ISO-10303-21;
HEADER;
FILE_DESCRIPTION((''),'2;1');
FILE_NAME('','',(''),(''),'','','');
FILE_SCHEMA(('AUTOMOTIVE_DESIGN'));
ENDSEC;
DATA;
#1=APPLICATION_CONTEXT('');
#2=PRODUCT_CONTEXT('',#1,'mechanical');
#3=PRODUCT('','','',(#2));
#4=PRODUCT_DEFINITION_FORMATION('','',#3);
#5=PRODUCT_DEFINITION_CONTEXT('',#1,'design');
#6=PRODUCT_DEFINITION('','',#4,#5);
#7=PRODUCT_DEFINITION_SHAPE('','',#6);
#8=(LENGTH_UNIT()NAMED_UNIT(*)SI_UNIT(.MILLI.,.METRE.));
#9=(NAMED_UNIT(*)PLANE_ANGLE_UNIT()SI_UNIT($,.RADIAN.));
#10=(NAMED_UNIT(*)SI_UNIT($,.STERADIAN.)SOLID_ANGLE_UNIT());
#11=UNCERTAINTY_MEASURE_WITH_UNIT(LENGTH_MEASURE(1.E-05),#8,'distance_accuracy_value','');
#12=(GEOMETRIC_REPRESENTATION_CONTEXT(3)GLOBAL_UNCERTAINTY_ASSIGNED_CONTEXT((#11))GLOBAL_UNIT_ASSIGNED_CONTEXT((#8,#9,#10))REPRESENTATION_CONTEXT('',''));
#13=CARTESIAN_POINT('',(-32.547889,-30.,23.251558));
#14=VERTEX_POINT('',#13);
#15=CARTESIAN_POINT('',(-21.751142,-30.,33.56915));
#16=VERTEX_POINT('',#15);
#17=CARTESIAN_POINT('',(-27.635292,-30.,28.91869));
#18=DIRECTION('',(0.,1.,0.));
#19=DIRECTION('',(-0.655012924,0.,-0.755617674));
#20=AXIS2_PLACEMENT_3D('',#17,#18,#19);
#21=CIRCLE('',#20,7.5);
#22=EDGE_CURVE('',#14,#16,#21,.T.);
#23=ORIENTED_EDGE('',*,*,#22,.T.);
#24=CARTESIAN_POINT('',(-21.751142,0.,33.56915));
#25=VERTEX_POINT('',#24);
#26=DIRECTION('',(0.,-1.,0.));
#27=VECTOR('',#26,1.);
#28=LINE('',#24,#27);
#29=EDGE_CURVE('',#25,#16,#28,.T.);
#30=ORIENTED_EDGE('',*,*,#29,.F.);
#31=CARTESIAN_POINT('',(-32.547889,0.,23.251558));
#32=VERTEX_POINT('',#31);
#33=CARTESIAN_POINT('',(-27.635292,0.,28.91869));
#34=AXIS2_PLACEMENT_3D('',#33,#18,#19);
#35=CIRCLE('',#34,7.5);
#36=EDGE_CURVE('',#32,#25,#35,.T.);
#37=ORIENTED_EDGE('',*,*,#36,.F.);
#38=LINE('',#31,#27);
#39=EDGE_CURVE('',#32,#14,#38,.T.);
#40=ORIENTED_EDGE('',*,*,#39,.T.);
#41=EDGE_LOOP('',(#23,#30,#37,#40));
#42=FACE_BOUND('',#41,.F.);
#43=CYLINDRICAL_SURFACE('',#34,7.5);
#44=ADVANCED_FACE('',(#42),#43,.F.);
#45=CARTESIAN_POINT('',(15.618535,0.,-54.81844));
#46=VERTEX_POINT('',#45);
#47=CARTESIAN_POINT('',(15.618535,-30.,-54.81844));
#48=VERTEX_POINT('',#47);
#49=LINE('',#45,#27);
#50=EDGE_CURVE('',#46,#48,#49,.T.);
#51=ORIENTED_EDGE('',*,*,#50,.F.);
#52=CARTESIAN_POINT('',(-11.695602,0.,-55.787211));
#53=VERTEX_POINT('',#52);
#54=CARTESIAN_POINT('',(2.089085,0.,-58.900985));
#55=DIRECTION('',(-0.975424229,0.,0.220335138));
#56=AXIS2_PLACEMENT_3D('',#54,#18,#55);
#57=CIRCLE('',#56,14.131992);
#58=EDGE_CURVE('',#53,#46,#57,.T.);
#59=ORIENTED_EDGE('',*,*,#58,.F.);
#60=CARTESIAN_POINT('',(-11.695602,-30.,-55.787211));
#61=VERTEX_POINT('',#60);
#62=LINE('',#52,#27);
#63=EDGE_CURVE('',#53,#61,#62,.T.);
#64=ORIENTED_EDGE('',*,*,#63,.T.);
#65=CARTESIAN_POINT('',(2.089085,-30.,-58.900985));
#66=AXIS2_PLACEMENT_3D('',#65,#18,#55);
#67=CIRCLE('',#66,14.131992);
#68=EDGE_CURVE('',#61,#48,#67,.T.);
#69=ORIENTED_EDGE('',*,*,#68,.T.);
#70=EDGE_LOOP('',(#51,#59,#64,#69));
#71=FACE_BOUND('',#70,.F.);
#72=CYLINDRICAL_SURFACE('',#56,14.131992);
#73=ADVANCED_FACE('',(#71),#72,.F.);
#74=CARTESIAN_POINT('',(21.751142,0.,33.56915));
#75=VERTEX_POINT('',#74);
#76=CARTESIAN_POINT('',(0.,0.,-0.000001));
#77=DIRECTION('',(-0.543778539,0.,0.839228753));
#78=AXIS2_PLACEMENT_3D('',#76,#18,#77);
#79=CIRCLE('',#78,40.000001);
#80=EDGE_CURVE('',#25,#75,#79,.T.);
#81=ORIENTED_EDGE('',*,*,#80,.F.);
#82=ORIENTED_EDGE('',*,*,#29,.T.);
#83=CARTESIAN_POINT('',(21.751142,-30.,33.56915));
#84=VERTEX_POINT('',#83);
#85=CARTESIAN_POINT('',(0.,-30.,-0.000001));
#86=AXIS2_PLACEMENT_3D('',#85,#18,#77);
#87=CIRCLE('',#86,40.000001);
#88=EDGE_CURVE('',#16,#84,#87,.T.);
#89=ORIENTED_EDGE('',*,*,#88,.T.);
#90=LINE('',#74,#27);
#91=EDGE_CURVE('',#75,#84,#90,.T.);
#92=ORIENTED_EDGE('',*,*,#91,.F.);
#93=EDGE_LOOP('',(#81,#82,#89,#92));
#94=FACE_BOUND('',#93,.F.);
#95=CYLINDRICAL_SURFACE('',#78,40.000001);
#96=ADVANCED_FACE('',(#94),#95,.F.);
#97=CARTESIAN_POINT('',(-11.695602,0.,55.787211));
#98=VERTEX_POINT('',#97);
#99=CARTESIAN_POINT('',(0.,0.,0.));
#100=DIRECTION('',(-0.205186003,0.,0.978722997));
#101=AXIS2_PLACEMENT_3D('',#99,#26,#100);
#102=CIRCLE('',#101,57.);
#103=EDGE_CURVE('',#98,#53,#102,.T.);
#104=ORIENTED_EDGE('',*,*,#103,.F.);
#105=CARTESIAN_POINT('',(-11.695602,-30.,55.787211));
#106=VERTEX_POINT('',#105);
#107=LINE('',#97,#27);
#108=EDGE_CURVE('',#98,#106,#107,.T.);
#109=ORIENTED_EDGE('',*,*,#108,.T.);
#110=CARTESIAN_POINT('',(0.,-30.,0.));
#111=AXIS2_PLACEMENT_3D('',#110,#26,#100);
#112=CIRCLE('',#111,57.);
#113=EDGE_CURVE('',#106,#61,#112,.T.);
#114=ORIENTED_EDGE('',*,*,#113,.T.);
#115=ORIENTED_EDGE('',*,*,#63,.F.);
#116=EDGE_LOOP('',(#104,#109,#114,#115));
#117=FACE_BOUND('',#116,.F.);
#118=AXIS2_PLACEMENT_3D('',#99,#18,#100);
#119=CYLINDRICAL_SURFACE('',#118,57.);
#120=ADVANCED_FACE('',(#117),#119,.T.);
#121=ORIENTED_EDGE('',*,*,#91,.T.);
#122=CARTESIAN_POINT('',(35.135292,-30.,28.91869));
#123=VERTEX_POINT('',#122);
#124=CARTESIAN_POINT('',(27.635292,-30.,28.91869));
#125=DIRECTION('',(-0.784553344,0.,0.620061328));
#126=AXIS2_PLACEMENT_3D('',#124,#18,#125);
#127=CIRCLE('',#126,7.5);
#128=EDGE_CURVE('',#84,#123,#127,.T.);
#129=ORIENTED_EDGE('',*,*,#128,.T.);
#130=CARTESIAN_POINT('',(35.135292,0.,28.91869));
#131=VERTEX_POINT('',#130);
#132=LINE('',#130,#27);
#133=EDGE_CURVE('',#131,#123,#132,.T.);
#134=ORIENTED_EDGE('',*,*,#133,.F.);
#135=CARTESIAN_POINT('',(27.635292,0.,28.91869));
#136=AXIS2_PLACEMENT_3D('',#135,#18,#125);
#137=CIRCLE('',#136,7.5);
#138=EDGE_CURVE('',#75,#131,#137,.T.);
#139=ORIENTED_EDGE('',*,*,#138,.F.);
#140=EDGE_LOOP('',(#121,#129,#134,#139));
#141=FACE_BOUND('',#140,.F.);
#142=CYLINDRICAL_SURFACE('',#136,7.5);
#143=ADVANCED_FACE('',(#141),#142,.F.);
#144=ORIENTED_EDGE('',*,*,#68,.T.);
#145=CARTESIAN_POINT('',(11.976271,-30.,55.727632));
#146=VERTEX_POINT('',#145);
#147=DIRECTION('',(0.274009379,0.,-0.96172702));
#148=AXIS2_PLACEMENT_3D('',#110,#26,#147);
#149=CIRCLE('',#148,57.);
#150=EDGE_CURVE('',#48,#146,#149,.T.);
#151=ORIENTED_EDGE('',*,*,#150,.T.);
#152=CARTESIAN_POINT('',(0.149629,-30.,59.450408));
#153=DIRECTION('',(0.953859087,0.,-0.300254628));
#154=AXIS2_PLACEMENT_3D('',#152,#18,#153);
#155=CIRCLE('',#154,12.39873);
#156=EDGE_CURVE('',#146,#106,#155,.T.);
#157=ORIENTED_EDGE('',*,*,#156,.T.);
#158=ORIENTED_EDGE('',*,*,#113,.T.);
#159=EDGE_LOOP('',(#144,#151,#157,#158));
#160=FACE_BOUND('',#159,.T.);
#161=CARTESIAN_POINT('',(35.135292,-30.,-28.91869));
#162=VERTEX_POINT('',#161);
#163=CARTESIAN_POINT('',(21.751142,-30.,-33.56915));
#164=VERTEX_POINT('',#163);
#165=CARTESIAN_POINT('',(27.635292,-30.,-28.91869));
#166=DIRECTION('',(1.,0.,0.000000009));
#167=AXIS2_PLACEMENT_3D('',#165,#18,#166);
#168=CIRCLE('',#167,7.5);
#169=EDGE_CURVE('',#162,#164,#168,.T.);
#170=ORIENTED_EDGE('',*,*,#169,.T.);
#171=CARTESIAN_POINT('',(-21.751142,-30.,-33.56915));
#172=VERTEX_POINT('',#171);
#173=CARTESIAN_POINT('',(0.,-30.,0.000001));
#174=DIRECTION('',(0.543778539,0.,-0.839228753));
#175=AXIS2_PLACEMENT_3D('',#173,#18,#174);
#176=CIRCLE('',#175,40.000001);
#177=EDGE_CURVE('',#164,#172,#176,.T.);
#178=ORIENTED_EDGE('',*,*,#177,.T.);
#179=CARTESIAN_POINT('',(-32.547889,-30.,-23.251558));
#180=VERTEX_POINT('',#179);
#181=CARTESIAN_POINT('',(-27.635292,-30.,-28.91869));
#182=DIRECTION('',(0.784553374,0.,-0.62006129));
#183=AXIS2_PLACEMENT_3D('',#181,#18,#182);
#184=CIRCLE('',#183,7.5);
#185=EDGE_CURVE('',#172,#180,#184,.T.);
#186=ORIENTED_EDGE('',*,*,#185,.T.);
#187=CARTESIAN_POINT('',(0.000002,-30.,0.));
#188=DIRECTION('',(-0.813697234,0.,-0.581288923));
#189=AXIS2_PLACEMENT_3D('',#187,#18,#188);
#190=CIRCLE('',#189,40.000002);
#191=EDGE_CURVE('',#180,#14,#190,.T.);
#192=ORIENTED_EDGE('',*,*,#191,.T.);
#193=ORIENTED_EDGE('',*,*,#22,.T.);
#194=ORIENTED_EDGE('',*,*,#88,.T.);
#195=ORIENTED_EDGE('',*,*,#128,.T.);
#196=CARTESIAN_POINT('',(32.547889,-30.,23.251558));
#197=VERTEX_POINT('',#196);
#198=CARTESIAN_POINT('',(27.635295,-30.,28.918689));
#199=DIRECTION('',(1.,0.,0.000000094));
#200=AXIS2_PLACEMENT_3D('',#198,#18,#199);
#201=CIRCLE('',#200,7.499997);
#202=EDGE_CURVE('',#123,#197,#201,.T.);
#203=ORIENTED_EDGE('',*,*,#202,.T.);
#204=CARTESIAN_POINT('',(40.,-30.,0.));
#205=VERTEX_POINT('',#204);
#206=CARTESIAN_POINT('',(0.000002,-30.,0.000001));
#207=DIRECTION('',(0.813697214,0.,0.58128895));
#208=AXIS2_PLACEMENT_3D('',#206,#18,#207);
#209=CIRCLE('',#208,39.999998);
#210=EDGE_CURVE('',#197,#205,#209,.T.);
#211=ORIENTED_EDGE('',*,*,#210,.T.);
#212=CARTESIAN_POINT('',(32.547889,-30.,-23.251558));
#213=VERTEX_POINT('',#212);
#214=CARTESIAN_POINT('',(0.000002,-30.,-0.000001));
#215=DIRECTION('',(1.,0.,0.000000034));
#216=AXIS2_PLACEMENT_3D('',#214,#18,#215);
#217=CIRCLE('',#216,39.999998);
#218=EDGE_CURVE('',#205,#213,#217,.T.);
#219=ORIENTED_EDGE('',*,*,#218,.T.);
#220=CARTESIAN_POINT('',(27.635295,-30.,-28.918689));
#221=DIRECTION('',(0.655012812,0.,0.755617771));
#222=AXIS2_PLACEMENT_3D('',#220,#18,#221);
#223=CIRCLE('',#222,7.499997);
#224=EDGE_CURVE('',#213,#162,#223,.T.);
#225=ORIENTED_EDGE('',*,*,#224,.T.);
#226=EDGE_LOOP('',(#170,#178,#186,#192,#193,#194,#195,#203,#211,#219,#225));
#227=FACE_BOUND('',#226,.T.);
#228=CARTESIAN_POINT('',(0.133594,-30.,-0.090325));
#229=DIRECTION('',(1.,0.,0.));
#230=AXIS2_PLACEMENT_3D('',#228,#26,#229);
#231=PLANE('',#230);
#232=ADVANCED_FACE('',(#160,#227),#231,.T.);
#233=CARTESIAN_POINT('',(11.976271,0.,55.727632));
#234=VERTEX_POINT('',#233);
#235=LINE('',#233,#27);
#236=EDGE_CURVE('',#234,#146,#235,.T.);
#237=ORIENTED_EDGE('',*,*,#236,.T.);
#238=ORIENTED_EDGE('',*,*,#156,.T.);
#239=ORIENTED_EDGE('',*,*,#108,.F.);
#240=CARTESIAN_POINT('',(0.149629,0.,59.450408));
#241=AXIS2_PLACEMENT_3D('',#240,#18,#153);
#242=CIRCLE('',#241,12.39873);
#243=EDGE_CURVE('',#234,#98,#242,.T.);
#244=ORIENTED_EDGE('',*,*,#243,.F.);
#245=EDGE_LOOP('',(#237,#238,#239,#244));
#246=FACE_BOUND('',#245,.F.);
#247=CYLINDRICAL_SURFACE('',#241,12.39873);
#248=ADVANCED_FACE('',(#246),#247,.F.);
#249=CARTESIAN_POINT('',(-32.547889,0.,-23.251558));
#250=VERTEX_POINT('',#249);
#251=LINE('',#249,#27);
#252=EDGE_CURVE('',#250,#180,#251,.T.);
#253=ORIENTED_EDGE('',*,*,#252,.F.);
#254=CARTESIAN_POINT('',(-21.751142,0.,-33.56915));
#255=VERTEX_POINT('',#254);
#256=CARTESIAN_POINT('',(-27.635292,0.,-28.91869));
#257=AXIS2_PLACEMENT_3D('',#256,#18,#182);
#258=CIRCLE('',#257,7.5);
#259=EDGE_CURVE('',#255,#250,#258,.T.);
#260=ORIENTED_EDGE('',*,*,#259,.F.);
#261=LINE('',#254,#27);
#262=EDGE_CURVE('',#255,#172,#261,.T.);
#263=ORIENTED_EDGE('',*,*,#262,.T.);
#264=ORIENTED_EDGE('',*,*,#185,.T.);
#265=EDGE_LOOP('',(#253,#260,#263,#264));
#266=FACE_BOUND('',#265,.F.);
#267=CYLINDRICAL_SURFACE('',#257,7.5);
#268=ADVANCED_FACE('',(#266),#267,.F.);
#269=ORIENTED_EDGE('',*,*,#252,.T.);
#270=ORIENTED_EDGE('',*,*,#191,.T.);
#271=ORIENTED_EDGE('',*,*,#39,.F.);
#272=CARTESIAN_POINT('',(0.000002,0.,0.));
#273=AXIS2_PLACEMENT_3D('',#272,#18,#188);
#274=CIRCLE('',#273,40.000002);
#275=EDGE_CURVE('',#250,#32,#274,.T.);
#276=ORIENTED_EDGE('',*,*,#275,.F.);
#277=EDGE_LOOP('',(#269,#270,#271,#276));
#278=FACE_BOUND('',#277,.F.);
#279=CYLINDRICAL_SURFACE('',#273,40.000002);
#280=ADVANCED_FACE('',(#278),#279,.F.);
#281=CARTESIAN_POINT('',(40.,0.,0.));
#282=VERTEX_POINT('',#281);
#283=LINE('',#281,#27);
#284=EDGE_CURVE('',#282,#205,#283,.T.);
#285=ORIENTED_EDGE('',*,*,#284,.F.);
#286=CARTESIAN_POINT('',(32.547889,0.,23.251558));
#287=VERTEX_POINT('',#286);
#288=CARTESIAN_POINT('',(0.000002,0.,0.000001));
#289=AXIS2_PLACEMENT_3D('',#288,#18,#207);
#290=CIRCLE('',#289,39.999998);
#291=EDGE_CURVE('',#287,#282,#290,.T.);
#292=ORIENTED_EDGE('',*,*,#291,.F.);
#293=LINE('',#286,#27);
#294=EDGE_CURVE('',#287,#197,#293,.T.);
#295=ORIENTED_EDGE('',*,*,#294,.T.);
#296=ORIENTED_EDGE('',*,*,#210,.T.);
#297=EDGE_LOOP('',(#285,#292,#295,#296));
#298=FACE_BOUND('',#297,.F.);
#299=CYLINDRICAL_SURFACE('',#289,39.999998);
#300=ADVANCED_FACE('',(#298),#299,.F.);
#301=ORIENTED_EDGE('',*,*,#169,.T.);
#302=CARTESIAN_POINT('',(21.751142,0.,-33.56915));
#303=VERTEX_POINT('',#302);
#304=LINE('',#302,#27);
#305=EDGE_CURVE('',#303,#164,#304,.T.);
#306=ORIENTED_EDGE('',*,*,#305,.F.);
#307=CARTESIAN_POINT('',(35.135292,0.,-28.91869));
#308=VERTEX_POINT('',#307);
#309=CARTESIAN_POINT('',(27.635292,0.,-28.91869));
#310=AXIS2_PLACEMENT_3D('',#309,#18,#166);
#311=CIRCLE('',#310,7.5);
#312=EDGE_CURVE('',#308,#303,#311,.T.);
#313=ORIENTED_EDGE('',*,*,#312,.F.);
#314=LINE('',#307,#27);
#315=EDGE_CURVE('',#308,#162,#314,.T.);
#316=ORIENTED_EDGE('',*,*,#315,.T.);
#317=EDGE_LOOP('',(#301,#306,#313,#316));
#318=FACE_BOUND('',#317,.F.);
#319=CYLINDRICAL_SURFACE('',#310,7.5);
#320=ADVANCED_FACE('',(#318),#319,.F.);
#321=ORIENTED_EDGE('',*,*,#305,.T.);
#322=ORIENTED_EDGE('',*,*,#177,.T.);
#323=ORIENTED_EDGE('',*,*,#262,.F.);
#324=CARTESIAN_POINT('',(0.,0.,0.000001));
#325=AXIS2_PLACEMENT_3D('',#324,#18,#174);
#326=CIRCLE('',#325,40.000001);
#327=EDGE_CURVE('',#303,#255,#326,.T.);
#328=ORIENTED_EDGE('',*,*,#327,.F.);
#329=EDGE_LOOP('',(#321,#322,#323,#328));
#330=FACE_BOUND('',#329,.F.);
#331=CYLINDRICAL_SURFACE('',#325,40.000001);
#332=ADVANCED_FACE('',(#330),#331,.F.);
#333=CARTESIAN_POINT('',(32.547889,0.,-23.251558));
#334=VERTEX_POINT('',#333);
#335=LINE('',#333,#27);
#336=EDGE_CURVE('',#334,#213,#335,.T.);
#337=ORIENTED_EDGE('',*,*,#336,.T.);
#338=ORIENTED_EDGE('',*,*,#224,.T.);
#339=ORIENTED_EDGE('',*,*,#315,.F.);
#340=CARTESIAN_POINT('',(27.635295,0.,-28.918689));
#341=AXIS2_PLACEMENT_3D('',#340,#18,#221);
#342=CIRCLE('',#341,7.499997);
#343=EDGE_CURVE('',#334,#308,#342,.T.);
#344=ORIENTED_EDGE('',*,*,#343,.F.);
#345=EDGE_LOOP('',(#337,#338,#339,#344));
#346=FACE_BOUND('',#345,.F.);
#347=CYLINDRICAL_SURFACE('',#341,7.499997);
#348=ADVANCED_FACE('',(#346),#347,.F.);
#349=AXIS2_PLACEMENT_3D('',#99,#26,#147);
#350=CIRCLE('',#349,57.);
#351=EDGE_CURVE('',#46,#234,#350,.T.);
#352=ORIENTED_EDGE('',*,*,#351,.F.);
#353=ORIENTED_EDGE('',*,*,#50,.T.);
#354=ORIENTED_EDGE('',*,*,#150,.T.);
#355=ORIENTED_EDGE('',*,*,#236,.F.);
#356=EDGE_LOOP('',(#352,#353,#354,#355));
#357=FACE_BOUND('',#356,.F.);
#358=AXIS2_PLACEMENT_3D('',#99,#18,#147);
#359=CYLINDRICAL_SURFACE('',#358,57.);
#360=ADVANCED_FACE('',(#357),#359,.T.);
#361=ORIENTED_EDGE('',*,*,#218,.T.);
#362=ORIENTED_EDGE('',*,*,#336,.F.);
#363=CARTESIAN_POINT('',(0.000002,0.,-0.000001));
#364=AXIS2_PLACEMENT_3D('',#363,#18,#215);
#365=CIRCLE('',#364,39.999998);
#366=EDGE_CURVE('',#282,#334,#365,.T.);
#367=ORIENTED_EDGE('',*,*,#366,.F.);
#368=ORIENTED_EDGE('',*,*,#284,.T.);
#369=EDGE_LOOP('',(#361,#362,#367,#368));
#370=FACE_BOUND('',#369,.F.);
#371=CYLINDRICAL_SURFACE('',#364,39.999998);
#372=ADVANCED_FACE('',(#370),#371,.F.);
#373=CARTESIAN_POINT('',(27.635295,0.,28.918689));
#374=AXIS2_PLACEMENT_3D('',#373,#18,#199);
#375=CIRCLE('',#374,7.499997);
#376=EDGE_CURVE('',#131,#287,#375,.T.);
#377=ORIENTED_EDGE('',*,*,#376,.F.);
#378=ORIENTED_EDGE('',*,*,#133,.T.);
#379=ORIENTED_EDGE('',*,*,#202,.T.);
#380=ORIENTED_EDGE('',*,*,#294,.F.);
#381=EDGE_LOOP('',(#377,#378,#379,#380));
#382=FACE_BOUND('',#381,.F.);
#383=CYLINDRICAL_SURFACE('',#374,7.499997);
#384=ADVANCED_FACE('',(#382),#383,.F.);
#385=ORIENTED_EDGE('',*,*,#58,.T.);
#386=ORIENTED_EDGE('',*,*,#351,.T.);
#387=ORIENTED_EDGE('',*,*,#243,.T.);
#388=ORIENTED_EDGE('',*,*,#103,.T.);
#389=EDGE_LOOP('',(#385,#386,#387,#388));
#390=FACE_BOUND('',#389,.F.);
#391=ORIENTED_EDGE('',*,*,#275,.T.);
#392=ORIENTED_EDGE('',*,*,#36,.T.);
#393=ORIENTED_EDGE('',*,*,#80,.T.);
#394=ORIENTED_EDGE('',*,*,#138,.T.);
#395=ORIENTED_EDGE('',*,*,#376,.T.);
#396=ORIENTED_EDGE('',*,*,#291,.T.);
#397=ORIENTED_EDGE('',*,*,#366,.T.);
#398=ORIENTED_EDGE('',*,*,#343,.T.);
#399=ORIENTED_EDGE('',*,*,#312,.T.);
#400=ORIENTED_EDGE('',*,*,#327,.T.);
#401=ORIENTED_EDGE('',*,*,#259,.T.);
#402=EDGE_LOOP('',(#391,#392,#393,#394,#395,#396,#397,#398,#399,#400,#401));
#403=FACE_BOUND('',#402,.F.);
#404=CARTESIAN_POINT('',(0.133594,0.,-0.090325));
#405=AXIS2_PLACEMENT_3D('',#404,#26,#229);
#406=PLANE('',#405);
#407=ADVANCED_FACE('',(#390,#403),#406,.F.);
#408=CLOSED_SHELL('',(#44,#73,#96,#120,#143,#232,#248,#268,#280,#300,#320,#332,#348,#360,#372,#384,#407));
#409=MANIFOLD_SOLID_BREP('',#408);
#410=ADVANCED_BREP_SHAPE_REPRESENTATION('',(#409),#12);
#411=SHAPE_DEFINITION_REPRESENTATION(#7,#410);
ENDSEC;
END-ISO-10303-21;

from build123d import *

# Parameters (mm, degrees)
F1_DEPTH = 30


with BuildPart() as f1:
    # F0 (on Front) → F1 (new body)
    with BuildSketch(Plane.XZ):
        with BuildLine():
            ThreePointArc((11.976271, 55.727632), (0.118423, 47.051717), (-11.695602, 55.787211))
            ThreePointArc((-11.695602, 55.787211), (-57, 0), (-11.695602, -55.787211))
            ThreePointArc((-11.695602, -55.787211), (1.58817, -44.777874), (15.618535, -54.81844))
            ThreePointArc((15.618535, -54.81844), (56.969087, 1.877013), (11.976271, 55.727632))
        make_face()
        with BuildLine():
            ThreePointArc((32.547889, 23.251558), (38.09144, 12.208285), (40, 0))
            ThreePointArc((40, 0), (38.09144, -12.208285), (32.547889, -23.251558))
            ThreePointArc((32.547889, -23.251558), (34.457846, -25.803765), (35.135292, -28.91869))
            ThreePointArc((35.135292, -28.91869), (30.096884, -36.00322), (21.751142, -33.56915))
            ThreePointArc((21.751142, -33.56915), (0, -40), (-21.751142, -33.56915))
            ThreePointArc((-21.751142, -33.56915), (-32.816909, -34.340945), (-32.547889, -23.251558))
            ThreePointArc((-32.547889, -23.251558), (-40, 0), (-32.547889, 23.251558))
            ThreePointArc((-32.547889, 23.251558), (-32.816909, 34.340945), (-21.751142, 33.56915))
            ThreePointArc((-21.751142, 33.56915), (0, 40), (21.751142, 33.56915))
            ThreePointArc((21.751142, 33.56915), (30.096884, 36.00322), (35.135292, 28.91869))
            ThreePointArc((35.135292, 28.91869), (34.457846, 25.803765), (32.547889, 23.251558))
        make_face(mode=Mode.SUBTRACT)
    extrude(amount=F1_DEPTH)


solid = f1.part
